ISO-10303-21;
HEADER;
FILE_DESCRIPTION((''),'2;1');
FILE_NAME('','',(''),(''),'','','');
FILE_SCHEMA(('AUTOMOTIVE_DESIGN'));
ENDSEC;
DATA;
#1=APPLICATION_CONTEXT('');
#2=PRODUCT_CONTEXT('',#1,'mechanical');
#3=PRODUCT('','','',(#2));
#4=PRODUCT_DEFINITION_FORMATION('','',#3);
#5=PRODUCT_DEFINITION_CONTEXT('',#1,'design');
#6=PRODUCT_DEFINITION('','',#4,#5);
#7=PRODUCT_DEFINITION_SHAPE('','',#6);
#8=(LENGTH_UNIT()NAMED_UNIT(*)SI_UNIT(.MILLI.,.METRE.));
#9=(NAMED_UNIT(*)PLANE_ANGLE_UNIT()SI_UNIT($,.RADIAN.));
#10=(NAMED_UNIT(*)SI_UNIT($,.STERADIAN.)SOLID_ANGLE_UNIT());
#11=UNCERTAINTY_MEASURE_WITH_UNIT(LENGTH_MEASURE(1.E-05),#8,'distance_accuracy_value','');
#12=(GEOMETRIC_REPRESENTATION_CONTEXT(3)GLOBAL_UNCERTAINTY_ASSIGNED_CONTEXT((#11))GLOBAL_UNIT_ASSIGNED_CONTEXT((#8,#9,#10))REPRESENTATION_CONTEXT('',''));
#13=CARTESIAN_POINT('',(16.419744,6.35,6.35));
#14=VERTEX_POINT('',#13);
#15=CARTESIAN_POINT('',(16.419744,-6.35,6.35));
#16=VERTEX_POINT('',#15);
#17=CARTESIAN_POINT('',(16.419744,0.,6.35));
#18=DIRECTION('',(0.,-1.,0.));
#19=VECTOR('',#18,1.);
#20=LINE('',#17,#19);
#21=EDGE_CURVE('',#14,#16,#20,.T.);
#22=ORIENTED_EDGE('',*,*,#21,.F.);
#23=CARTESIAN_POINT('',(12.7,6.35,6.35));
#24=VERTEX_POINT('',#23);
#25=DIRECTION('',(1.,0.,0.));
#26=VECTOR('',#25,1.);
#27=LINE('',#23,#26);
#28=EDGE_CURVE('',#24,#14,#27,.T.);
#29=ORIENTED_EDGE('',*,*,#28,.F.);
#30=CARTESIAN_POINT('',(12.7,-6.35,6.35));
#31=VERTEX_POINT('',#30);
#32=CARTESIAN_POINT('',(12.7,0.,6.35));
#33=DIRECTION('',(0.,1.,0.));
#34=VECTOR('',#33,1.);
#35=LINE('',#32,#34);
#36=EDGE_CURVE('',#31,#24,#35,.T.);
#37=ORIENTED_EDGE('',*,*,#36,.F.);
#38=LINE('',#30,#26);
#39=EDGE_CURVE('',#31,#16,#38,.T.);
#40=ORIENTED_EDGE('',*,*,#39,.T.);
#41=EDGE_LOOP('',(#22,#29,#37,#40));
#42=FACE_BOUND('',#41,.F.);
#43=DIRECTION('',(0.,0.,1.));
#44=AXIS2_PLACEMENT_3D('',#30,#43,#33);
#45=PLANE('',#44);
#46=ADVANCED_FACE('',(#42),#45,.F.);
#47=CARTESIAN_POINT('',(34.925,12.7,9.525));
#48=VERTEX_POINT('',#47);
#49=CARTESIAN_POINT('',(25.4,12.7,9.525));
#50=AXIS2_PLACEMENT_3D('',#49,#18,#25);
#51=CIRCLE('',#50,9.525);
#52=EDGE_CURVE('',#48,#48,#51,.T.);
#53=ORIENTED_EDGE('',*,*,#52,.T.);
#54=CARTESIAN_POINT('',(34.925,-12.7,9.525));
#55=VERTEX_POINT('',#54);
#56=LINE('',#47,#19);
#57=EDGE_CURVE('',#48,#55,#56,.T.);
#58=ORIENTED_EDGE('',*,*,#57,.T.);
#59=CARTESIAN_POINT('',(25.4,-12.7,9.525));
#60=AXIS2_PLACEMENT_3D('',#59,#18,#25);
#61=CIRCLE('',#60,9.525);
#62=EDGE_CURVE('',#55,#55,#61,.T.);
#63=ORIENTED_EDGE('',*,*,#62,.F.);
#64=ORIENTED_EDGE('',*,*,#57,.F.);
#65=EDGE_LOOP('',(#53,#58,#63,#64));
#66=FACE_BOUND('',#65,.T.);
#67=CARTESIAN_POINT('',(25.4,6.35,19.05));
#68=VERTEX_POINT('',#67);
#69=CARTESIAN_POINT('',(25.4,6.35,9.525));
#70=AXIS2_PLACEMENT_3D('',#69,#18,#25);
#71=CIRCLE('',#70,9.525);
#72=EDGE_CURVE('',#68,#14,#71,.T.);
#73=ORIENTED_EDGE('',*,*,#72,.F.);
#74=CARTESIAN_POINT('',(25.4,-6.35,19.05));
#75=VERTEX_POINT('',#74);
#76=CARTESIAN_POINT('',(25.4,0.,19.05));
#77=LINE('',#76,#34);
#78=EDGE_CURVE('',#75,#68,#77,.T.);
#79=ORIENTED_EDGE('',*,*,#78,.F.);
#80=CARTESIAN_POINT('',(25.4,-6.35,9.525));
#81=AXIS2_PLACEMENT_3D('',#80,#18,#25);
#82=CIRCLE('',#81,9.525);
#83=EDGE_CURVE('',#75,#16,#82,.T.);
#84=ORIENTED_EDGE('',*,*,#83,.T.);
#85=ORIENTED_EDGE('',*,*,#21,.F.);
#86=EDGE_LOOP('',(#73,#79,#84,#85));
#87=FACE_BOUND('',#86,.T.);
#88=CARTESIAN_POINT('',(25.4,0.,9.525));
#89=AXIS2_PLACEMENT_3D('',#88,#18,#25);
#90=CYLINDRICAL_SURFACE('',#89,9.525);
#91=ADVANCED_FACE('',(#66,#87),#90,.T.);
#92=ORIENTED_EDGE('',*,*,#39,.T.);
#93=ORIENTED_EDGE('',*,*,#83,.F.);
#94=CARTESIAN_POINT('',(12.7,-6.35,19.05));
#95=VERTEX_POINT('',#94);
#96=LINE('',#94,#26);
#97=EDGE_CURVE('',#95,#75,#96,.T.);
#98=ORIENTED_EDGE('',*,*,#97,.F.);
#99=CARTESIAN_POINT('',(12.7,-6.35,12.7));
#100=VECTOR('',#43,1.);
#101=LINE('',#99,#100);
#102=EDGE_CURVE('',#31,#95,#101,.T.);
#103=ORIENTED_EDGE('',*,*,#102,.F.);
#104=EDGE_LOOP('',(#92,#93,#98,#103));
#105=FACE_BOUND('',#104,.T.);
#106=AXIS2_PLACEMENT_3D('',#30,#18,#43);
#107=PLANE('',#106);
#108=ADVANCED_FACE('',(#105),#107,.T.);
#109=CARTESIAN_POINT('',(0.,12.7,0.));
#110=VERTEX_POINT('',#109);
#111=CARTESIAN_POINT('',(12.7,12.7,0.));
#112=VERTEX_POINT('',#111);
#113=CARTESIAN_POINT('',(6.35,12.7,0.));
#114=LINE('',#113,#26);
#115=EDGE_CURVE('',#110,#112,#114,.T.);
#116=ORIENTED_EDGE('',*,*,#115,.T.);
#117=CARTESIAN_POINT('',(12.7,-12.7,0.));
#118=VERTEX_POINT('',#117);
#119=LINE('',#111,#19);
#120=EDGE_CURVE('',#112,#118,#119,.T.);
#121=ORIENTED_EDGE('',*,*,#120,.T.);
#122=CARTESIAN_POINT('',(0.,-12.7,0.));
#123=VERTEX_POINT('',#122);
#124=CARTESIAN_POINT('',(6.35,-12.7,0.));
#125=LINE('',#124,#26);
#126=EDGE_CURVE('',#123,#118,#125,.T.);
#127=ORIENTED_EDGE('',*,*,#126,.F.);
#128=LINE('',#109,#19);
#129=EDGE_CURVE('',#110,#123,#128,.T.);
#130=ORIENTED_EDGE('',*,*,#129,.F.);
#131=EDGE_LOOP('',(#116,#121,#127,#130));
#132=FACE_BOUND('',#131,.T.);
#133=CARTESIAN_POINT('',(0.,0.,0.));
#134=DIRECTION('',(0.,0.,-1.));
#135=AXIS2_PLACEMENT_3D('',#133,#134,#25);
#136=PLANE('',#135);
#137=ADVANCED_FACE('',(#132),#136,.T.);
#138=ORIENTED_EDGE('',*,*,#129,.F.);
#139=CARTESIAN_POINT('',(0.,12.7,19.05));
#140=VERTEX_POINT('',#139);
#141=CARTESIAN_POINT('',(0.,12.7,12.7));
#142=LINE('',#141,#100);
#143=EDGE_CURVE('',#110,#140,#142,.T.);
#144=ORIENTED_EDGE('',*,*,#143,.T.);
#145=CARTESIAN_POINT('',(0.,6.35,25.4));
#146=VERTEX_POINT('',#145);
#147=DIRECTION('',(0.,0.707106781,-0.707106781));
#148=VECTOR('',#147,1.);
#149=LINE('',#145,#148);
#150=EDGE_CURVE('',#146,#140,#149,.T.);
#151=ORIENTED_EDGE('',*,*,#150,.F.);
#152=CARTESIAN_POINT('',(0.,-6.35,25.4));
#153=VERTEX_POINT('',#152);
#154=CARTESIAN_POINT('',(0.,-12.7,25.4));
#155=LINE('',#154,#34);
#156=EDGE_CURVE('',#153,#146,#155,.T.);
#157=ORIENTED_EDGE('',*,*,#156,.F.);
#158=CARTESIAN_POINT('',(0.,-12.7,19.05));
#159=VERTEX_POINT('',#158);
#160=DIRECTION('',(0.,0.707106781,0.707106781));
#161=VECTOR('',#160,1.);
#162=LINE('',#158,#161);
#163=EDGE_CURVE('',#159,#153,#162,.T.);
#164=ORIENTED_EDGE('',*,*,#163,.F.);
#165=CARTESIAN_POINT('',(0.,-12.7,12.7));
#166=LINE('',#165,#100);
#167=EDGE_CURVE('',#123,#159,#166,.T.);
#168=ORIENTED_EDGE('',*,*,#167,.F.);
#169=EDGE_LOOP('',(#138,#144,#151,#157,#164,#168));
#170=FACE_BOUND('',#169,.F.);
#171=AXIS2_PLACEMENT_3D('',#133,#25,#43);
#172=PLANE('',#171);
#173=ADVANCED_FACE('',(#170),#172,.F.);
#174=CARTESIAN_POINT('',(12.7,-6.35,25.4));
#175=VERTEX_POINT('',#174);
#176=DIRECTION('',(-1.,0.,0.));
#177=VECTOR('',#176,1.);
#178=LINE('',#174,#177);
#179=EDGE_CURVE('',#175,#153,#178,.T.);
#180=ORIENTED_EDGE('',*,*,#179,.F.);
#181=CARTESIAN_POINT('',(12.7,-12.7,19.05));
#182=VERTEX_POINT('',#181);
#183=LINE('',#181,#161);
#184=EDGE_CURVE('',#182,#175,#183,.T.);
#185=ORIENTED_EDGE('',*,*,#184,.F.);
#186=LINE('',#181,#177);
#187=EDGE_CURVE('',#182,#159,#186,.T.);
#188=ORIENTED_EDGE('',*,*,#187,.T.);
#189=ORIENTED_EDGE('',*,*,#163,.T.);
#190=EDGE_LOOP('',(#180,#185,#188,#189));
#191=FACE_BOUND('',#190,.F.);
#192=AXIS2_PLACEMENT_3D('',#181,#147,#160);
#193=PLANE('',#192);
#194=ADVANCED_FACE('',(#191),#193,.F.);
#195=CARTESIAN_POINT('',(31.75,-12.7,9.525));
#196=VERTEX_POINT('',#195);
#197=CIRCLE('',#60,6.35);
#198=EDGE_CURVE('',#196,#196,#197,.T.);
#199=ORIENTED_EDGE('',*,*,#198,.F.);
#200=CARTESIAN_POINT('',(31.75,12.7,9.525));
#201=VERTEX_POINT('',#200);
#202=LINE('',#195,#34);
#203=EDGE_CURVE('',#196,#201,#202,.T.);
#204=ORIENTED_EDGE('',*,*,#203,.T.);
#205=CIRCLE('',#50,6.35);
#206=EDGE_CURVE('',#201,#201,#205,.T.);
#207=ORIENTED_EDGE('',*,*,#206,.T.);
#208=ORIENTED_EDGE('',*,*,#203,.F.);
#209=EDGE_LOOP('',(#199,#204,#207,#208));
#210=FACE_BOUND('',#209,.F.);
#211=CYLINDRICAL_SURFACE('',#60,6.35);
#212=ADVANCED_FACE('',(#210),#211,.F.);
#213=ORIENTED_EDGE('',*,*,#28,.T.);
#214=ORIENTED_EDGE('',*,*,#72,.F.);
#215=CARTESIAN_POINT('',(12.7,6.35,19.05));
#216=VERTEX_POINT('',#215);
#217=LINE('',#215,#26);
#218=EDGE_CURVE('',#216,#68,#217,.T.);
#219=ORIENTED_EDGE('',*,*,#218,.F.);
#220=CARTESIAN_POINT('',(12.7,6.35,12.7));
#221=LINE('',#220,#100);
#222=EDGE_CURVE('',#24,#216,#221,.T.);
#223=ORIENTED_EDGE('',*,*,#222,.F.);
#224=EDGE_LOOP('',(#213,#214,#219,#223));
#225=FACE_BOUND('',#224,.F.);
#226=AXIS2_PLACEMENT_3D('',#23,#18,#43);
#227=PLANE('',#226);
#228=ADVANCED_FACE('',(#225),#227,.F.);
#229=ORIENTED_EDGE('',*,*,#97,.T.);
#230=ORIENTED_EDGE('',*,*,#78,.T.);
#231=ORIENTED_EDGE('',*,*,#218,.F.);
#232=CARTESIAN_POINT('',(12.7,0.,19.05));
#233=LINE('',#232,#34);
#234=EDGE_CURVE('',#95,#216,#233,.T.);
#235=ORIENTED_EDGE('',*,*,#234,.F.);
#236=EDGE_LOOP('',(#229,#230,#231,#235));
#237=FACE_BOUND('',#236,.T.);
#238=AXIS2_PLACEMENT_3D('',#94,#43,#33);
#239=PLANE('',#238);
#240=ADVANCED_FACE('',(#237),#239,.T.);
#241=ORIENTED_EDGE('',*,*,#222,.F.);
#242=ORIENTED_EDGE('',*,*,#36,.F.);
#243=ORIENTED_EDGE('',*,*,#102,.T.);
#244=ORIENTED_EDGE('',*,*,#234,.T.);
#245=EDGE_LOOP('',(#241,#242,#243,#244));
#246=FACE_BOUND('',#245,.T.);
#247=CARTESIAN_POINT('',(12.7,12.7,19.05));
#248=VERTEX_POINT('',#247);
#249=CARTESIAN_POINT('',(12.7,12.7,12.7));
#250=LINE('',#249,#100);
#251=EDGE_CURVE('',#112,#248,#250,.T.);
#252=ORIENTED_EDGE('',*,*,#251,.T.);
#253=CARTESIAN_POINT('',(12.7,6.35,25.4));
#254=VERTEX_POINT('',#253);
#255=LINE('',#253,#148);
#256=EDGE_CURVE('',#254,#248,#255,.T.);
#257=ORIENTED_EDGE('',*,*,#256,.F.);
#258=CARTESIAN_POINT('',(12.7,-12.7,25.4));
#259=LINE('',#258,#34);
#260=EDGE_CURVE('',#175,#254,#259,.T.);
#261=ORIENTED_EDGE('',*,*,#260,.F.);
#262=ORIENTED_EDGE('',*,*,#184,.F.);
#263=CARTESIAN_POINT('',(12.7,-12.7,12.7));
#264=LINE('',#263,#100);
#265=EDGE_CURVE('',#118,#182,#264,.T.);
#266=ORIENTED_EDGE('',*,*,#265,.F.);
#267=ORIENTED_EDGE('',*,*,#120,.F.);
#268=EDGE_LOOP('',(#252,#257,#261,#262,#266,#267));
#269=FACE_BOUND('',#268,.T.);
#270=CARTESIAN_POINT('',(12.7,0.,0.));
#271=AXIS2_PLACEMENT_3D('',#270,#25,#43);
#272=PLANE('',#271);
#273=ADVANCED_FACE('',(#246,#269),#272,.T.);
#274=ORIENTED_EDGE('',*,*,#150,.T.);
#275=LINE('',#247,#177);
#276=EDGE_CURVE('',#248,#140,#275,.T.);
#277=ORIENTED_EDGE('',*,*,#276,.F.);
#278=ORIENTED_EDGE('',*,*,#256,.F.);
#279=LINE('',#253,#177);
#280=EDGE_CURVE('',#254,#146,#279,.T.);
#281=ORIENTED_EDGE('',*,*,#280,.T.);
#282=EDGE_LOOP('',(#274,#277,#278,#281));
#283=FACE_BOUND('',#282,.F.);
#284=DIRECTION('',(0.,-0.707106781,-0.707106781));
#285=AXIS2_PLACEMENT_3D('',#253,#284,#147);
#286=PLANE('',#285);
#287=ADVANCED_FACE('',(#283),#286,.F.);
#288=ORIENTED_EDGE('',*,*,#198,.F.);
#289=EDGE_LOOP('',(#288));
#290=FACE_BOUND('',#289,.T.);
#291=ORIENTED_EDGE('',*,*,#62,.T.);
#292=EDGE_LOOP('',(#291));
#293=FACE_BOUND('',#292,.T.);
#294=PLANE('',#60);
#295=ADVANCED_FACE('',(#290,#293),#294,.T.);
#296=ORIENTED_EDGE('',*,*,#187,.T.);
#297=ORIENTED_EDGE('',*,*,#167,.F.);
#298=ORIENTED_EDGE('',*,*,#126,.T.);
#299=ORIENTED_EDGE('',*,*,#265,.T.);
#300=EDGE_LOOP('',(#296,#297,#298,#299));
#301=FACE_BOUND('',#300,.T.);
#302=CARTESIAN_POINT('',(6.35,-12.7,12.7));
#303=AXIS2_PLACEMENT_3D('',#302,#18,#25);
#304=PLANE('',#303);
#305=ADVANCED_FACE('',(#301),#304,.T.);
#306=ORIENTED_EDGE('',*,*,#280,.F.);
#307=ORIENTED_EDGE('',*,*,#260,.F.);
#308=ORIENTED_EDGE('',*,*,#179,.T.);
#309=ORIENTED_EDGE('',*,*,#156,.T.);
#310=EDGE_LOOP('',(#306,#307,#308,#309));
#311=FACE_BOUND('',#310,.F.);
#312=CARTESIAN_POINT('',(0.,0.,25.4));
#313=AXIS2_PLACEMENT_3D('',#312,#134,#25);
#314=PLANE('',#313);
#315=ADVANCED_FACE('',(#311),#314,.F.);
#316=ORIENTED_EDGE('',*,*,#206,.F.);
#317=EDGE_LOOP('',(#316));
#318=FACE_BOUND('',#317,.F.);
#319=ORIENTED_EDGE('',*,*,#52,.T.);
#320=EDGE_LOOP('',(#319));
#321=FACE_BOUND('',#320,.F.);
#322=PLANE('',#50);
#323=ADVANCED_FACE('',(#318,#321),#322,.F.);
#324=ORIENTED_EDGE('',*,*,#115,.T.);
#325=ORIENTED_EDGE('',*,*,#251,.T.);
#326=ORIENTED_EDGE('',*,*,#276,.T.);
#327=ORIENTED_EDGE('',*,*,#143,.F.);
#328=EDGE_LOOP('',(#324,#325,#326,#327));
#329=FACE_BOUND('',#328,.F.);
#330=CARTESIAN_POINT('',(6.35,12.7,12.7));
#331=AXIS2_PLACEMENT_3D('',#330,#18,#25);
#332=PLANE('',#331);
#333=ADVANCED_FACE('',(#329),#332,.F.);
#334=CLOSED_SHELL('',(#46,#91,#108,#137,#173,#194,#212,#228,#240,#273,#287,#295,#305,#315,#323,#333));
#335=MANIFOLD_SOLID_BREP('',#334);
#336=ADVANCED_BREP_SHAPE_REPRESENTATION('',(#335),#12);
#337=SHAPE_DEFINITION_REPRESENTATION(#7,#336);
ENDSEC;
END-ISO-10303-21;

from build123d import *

# Parameters (mm, degrees)
F0_W     = 12.7
F0_H     = 25.4
F1_DEPTH = 12.7
F3_DEPTH = 12.7
F4_W     = 12.7
F4_H     = 12.7
F5_DEPTH = 12.7
F6_R     = 9.525
F7_DEPTH = 12.7
F8_R     = 6.35
F9_DEPTH = 25.4


with BuildPart() as f1:
    # F0 (on Front) → F1 (new body, symmetric)
    with BuildSketch(Plane.XZ):
        with Locations((6.35, 12.7)):
            Rectangle(F0_W, F0_H)
    extrude(amount=F1_DEPTH, both=True)

    # F2 (on face) → F3 (cut)
    with BuildSketch(Plane.YZ.offset(12.7)):
        Polygon((-12.7, 25.4), (-12.7, 19.05), (-6.35, 25.4), align=None)
        Polygon((12.7, 25.4), (6.35, 25.4), (12.7, 19.05), align=None)
    extrude(amount=-F3_DEPTH, mode=Mode.SUBTRACT)

    # F4 (on face) → F5 (join)
    with BuildSketch(Plane.YZ.offset(12.7)):
        with Locations((0, 12.7)):
            Rectangle(F4_W, F4_H)
    extrude(amount=F5_DEPTH)

    # F6 (on Front) → F7 (join, symmetric)
    with BuildSketch(Plane.XZ):
        with Locations((25.4, 9.525)):
            Circle(F6_R)
    extrude(amount=F7_DEPTH, both=True)

    # F8 (on face) → F9 (cut)
    with BuildSketch(Plane.XZ.offset(12.7)):
        with Locations((25.4, 9.525)):
            Circle(F8_R)
    extrude(amount=-F9_DEPTH, mode=Mode.SUBTRACT)


solid = f1.part
